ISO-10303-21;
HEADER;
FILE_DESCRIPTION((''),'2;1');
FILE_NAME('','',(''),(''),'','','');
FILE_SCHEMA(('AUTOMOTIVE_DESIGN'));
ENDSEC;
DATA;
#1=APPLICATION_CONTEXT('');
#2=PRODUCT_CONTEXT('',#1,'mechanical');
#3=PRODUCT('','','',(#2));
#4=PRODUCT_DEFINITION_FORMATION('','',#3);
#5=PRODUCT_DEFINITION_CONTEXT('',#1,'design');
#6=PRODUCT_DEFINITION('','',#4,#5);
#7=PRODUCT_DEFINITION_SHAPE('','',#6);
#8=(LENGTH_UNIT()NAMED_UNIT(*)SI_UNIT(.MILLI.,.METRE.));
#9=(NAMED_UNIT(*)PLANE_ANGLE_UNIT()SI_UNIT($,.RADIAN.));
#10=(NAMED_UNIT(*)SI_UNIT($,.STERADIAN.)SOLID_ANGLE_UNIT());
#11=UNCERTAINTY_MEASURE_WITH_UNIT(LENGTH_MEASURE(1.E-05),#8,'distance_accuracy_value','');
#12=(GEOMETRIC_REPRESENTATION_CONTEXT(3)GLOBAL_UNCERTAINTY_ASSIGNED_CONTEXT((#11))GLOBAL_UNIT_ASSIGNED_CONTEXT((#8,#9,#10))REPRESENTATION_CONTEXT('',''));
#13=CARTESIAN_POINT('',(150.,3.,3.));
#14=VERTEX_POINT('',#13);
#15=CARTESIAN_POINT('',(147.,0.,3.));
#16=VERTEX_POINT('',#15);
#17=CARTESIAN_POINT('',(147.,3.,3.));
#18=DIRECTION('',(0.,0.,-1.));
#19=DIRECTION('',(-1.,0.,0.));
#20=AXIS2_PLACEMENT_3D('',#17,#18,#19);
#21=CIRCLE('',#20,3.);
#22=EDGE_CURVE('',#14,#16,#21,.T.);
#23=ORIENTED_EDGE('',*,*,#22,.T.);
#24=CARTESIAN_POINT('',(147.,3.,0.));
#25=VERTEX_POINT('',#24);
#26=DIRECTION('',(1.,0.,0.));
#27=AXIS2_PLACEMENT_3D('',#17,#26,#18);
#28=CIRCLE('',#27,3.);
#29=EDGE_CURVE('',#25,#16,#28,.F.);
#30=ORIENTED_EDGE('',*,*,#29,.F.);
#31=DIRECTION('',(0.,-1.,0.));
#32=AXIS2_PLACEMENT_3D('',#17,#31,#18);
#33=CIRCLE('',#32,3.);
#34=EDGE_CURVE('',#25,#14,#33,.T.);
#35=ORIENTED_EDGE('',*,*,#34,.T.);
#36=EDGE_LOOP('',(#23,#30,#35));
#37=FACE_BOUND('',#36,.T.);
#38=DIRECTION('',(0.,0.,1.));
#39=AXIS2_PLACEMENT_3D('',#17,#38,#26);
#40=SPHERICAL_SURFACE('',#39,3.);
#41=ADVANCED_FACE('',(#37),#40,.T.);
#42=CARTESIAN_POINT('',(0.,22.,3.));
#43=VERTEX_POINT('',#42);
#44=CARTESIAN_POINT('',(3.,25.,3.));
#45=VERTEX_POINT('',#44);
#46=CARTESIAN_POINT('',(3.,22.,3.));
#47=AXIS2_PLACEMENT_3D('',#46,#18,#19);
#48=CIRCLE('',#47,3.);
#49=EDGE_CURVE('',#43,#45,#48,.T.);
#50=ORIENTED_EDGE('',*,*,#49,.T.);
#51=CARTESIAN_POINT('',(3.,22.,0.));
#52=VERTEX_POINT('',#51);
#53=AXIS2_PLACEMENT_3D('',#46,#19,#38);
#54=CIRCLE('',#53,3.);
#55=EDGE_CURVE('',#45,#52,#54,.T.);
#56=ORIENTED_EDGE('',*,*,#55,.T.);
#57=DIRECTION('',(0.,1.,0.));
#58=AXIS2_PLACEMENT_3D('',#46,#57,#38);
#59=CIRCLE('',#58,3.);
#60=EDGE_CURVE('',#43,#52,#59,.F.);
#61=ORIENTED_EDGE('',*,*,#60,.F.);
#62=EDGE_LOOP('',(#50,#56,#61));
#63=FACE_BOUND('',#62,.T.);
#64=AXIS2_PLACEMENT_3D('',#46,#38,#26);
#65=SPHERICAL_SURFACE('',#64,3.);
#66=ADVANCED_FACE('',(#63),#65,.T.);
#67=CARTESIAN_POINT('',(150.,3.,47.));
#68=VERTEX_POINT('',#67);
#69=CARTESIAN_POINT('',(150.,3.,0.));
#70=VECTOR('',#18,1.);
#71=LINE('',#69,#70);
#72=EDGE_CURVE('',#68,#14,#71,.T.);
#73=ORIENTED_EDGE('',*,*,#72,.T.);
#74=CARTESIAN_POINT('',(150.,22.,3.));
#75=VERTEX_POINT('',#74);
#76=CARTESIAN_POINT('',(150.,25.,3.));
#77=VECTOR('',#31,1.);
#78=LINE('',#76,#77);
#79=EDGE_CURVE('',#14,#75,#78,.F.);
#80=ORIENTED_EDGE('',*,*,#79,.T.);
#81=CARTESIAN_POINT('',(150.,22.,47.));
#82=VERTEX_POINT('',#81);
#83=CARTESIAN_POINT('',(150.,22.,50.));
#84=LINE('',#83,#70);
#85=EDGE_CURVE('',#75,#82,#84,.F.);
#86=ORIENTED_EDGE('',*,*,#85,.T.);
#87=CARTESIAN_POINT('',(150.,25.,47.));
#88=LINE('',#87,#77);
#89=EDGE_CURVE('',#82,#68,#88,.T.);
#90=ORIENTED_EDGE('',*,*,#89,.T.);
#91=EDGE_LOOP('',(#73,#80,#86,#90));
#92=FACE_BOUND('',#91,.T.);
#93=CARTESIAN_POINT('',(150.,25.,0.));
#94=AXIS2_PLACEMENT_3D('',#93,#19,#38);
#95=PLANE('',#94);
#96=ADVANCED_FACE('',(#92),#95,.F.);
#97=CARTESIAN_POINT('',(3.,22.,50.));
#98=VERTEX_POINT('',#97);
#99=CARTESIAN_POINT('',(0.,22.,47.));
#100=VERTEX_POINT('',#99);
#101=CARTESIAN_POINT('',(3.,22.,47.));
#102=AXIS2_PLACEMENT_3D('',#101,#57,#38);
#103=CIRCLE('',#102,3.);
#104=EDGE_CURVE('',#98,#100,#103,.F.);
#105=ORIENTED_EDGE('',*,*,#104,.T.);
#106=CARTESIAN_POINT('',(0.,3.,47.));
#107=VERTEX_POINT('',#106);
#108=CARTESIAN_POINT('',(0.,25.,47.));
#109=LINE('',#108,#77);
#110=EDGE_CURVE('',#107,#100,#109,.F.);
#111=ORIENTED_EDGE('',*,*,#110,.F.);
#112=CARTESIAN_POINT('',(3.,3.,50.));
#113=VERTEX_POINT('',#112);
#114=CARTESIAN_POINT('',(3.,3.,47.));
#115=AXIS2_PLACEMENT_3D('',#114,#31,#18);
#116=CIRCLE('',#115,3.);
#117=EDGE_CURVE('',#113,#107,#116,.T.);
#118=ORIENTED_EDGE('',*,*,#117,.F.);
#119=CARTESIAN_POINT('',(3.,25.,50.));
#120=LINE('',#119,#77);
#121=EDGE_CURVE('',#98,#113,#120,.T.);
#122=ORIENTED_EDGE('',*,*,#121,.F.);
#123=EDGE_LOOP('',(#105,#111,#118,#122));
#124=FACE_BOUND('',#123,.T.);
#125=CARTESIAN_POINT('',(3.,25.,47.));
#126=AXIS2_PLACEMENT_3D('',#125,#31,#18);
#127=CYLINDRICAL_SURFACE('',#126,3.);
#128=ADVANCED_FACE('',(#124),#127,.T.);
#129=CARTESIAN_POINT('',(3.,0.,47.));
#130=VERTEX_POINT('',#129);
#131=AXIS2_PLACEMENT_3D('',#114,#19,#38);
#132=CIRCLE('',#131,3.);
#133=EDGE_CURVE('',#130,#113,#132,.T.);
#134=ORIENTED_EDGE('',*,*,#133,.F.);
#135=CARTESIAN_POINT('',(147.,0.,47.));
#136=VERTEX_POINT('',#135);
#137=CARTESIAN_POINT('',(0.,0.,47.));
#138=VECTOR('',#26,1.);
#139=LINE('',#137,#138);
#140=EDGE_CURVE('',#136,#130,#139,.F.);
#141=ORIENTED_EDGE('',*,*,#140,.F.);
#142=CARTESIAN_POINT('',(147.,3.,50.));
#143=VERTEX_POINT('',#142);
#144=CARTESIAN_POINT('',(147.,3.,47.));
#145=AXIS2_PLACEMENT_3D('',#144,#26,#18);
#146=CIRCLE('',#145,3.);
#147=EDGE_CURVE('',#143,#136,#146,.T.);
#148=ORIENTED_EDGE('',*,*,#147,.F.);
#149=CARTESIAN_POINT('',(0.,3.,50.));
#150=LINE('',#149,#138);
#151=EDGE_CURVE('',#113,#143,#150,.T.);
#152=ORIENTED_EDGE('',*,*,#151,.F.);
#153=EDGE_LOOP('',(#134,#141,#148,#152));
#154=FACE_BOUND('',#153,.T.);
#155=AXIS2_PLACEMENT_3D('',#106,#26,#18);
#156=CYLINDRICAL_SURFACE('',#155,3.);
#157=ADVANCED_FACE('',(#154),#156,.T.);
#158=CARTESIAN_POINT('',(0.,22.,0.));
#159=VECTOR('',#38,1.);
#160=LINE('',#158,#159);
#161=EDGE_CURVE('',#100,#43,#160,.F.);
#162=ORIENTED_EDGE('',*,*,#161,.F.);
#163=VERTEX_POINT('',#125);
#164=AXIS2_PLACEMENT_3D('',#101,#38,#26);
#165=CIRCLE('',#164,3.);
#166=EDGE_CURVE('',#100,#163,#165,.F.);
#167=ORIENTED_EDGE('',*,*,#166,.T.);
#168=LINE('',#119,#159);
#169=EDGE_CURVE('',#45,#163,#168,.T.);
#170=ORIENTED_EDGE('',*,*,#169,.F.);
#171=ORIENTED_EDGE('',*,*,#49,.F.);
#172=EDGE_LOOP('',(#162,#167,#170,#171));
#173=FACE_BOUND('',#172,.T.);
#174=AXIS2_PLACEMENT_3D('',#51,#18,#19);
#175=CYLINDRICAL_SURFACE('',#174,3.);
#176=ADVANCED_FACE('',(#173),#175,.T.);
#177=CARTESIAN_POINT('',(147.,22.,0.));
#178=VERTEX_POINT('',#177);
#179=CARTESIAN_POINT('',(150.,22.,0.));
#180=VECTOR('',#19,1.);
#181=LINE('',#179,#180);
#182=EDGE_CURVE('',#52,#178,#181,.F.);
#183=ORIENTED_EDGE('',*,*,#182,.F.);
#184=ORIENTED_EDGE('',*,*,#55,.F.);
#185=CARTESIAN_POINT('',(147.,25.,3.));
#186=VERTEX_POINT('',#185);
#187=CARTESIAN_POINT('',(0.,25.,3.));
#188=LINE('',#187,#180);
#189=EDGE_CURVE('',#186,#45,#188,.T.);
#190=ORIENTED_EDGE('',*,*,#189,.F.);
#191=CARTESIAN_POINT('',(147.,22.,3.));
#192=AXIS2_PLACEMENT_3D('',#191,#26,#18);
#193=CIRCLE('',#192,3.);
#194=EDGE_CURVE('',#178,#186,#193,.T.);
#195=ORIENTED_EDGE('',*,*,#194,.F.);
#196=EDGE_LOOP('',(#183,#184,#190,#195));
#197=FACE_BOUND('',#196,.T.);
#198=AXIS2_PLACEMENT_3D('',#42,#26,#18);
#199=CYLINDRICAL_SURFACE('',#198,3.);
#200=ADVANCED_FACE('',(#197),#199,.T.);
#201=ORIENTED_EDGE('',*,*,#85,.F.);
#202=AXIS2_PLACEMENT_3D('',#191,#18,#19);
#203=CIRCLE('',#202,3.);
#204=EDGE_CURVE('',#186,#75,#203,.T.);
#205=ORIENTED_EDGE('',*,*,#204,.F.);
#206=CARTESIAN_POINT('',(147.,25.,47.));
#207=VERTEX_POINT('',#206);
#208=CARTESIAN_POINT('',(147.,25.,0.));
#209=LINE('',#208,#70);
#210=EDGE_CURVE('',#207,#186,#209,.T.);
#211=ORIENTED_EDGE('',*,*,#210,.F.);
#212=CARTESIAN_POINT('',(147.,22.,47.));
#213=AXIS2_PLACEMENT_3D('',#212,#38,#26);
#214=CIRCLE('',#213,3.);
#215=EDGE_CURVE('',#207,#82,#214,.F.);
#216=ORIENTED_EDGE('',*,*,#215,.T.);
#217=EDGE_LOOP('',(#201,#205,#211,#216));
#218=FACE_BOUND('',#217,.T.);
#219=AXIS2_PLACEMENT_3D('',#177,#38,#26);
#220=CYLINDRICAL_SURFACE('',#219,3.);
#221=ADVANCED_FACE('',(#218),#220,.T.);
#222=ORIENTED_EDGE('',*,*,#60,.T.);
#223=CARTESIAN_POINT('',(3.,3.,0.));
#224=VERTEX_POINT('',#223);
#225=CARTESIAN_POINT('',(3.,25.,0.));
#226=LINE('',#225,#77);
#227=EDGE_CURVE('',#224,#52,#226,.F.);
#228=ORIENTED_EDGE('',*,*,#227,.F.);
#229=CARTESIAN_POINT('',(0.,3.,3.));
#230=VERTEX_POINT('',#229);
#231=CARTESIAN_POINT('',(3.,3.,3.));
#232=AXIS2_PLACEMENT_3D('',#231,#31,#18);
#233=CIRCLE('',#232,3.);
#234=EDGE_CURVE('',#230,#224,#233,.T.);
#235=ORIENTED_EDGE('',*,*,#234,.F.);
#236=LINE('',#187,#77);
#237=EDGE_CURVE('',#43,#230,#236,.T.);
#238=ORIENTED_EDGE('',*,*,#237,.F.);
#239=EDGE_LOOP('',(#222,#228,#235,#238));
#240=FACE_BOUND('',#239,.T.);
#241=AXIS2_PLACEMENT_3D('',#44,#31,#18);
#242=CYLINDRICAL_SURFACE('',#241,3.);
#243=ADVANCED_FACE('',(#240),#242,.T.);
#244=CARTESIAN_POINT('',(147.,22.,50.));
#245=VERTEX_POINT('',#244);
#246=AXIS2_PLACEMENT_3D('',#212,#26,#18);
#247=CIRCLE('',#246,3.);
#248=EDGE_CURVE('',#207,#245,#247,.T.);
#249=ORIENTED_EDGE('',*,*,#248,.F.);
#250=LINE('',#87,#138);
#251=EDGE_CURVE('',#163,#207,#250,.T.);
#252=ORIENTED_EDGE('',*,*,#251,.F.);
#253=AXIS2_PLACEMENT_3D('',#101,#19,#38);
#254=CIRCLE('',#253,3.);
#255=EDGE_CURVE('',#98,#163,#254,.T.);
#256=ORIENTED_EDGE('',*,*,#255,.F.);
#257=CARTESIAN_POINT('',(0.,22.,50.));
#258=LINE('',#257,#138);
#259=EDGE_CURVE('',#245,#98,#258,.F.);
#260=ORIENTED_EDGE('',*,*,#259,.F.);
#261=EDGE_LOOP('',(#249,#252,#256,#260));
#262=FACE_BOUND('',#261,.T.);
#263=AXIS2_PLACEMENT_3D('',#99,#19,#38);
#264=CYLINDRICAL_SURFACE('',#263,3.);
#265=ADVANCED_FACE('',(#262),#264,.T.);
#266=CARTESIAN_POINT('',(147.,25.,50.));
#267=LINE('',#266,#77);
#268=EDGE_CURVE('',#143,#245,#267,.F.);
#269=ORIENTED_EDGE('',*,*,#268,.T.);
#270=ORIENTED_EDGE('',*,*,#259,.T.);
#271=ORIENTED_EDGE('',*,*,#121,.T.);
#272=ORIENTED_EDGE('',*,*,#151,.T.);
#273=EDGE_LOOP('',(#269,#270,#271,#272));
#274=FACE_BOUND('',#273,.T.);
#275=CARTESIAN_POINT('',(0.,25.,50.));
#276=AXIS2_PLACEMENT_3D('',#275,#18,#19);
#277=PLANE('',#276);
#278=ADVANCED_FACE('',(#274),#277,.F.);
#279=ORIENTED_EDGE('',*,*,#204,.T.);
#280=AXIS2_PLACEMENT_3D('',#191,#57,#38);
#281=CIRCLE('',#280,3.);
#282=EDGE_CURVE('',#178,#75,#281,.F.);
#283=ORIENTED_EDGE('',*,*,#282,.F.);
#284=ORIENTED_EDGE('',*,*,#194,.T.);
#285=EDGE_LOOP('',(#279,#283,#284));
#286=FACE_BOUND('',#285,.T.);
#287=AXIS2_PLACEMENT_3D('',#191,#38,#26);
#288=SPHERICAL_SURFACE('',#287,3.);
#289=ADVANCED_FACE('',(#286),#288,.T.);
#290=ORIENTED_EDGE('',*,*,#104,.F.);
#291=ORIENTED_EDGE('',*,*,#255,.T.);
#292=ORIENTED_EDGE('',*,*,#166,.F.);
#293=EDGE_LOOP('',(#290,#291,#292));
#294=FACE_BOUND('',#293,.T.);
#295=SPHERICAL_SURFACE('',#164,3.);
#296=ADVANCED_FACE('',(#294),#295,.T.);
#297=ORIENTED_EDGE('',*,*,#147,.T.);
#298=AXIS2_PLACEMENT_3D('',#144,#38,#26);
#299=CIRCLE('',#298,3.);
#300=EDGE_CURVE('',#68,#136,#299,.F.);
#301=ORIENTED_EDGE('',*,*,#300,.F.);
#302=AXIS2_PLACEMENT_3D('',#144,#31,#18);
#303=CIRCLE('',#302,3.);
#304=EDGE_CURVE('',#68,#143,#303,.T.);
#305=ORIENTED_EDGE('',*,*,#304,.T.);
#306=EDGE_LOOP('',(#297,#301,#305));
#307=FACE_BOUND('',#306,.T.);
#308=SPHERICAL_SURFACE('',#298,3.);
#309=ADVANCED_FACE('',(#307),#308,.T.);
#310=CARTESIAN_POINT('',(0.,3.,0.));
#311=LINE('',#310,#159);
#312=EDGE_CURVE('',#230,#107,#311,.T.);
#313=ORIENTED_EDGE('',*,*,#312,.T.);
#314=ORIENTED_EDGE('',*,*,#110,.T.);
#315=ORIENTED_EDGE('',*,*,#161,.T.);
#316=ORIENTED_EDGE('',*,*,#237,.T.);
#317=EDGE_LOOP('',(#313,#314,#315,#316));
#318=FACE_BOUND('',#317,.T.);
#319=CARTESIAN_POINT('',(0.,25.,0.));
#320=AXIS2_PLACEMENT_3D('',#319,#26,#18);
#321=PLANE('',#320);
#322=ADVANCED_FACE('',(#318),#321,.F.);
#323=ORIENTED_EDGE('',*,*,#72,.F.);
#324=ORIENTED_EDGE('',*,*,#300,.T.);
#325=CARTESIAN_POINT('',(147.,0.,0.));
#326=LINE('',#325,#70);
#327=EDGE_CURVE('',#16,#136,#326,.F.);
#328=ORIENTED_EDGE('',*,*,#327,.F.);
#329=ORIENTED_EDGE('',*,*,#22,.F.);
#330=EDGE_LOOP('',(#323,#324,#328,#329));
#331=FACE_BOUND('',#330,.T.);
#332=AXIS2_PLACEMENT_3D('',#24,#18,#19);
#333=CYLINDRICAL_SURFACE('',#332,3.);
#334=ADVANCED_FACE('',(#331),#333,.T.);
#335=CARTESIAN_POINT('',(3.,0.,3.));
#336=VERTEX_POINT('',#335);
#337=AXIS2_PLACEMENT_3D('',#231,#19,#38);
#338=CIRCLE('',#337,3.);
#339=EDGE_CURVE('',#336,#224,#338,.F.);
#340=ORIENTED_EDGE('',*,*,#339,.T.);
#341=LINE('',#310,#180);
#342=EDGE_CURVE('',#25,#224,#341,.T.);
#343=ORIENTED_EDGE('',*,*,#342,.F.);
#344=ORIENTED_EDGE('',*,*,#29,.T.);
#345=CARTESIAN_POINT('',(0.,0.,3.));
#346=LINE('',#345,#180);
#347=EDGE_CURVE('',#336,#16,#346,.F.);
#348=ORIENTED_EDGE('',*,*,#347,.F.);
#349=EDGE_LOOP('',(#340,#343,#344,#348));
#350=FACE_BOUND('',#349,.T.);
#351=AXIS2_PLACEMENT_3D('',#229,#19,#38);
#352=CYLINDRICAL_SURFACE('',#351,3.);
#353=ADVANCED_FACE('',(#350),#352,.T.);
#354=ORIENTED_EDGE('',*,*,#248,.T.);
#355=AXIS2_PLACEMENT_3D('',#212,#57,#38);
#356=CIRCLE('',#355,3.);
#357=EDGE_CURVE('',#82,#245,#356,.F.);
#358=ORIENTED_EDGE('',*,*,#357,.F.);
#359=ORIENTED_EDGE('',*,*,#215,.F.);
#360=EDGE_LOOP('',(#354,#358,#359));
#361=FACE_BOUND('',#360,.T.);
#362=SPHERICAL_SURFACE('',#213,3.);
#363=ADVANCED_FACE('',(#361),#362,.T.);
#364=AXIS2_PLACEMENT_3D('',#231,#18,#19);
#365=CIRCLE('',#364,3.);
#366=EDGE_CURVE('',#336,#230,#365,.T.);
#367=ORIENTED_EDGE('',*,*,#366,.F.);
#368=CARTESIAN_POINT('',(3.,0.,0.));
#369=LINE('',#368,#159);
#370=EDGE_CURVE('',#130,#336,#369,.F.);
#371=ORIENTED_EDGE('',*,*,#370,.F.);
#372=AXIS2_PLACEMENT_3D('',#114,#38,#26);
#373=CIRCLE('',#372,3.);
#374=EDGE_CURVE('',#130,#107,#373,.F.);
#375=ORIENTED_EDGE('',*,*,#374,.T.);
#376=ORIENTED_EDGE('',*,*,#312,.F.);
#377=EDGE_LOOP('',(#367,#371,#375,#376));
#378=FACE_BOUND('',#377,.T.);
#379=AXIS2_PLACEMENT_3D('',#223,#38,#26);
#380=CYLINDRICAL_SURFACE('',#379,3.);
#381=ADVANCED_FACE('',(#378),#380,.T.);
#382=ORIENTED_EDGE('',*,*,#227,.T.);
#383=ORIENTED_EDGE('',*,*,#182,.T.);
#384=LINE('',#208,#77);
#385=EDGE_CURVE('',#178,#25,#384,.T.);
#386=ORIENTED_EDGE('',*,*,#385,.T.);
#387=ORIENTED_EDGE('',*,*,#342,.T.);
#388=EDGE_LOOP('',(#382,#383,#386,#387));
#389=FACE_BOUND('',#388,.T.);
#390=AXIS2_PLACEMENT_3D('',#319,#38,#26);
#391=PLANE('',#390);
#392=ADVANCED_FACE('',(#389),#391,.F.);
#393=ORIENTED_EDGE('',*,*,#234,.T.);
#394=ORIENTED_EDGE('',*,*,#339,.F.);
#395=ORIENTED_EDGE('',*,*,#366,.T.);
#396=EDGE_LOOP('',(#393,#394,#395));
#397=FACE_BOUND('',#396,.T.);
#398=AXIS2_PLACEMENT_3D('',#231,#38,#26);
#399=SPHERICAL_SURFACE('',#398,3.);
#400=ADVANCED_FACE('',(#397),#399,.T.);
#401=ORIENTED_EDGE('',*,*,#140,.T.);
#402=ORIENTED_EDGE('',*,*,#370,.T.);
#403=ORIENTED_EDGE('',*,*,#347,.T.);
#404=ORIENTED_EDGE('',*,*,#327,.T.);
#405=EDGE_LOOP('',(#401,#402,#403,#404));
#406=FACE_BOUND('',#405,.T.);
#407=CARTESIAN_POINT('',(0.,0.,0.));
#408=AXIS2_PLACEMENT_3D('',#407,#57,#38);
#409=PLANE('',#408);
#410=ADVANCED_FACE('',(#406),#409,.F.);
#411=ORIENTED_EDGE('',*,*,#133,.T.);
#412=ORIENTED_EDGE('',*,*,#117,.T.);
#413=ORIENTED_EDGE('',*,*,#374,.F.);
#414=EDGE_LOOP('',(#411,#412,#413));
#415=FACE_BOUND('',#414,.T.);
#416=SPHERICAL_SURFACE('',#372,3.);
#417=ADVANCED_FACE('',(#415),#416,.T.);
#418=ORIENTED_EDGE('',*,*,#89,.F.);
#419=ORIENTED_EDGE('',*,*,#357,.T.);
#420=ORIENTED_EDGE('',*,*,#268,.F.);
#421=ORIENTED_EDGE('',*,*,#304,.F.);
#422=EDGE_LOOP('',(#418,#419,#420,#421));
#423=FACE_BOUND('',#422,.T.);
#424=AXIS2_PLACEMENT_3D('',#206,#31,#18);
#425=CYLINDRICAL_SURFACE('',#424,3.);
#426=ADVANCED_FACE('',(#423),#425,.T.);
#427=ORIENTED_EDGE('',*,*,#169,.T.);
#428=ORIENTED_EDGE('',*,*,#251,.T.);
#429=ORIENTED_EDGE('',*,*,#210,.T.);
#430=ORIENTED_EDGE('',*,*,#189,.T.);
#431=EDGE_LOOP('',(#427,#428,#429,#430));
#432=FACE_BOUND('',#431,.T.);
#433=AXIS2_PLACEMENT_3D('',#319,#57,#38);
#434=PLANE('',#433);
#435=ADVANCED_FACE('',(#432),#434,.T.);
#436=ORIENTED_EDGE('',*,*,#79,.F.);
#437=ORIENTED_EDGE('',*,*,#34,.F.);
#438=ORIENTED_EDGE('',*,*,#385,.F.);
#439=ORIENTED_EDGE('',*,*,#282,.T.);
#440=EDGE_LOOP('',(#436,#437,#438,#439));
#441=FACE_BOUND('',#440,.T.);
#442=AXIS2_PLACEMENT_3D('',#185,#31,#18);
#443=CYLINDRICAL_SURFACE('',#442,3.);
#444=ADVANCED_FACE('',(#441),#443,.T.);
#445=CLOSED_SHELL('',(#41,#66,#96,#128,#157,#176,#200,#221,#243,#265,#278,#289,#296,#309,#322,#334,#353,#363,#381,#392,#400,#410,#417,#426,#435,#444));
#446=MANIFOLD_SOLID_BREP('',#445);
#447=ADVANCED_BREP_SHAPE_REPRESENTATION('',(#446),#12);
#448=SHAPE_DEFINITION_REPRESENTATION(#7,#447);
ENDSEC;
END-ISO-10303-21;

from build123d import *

# Parameters (mm, degrees)
SKETCH_1_W      = 150
SKETCH_1_H      = 50
EXTRUDE_1_DEPTH = 25
FILLET_1_R      = 3


with BuildPart() as part:
    # Эскиз1 → Бобышка-Вытянуть1 (new body)
    with BuildSketch(Plane(origin=(0, 0, 0), x_dir=(1, 0, 0), z_dir=(0, 1, 0))):
        with Locations((75, -25)):
            Rectangle(SKETCH_1_W, SKETCH_1_H)
    extrude(amount=EXTRUDE_1_DEPTH)

    # Скругление1
    fillet_1_edges = [part.edges().sort_by_distance(p)[0] for p in [
        (150, 25, 25),
        (75, 25, 0),
        (0, 25, 25),
        (75, 0, 0),
        (150, 0, 25),
        (75, 0, 50),
        (0, 0, 25),
        (75, 25, 50),
        (0, 12.5, 0),
        (150, 12.5, 0),
        (150, 12.5, 50),
        (0, 12.5, 50),
    ]]
    fillet(fillet_1_edges, radius=FILLET_1_R)


solid = part.part
